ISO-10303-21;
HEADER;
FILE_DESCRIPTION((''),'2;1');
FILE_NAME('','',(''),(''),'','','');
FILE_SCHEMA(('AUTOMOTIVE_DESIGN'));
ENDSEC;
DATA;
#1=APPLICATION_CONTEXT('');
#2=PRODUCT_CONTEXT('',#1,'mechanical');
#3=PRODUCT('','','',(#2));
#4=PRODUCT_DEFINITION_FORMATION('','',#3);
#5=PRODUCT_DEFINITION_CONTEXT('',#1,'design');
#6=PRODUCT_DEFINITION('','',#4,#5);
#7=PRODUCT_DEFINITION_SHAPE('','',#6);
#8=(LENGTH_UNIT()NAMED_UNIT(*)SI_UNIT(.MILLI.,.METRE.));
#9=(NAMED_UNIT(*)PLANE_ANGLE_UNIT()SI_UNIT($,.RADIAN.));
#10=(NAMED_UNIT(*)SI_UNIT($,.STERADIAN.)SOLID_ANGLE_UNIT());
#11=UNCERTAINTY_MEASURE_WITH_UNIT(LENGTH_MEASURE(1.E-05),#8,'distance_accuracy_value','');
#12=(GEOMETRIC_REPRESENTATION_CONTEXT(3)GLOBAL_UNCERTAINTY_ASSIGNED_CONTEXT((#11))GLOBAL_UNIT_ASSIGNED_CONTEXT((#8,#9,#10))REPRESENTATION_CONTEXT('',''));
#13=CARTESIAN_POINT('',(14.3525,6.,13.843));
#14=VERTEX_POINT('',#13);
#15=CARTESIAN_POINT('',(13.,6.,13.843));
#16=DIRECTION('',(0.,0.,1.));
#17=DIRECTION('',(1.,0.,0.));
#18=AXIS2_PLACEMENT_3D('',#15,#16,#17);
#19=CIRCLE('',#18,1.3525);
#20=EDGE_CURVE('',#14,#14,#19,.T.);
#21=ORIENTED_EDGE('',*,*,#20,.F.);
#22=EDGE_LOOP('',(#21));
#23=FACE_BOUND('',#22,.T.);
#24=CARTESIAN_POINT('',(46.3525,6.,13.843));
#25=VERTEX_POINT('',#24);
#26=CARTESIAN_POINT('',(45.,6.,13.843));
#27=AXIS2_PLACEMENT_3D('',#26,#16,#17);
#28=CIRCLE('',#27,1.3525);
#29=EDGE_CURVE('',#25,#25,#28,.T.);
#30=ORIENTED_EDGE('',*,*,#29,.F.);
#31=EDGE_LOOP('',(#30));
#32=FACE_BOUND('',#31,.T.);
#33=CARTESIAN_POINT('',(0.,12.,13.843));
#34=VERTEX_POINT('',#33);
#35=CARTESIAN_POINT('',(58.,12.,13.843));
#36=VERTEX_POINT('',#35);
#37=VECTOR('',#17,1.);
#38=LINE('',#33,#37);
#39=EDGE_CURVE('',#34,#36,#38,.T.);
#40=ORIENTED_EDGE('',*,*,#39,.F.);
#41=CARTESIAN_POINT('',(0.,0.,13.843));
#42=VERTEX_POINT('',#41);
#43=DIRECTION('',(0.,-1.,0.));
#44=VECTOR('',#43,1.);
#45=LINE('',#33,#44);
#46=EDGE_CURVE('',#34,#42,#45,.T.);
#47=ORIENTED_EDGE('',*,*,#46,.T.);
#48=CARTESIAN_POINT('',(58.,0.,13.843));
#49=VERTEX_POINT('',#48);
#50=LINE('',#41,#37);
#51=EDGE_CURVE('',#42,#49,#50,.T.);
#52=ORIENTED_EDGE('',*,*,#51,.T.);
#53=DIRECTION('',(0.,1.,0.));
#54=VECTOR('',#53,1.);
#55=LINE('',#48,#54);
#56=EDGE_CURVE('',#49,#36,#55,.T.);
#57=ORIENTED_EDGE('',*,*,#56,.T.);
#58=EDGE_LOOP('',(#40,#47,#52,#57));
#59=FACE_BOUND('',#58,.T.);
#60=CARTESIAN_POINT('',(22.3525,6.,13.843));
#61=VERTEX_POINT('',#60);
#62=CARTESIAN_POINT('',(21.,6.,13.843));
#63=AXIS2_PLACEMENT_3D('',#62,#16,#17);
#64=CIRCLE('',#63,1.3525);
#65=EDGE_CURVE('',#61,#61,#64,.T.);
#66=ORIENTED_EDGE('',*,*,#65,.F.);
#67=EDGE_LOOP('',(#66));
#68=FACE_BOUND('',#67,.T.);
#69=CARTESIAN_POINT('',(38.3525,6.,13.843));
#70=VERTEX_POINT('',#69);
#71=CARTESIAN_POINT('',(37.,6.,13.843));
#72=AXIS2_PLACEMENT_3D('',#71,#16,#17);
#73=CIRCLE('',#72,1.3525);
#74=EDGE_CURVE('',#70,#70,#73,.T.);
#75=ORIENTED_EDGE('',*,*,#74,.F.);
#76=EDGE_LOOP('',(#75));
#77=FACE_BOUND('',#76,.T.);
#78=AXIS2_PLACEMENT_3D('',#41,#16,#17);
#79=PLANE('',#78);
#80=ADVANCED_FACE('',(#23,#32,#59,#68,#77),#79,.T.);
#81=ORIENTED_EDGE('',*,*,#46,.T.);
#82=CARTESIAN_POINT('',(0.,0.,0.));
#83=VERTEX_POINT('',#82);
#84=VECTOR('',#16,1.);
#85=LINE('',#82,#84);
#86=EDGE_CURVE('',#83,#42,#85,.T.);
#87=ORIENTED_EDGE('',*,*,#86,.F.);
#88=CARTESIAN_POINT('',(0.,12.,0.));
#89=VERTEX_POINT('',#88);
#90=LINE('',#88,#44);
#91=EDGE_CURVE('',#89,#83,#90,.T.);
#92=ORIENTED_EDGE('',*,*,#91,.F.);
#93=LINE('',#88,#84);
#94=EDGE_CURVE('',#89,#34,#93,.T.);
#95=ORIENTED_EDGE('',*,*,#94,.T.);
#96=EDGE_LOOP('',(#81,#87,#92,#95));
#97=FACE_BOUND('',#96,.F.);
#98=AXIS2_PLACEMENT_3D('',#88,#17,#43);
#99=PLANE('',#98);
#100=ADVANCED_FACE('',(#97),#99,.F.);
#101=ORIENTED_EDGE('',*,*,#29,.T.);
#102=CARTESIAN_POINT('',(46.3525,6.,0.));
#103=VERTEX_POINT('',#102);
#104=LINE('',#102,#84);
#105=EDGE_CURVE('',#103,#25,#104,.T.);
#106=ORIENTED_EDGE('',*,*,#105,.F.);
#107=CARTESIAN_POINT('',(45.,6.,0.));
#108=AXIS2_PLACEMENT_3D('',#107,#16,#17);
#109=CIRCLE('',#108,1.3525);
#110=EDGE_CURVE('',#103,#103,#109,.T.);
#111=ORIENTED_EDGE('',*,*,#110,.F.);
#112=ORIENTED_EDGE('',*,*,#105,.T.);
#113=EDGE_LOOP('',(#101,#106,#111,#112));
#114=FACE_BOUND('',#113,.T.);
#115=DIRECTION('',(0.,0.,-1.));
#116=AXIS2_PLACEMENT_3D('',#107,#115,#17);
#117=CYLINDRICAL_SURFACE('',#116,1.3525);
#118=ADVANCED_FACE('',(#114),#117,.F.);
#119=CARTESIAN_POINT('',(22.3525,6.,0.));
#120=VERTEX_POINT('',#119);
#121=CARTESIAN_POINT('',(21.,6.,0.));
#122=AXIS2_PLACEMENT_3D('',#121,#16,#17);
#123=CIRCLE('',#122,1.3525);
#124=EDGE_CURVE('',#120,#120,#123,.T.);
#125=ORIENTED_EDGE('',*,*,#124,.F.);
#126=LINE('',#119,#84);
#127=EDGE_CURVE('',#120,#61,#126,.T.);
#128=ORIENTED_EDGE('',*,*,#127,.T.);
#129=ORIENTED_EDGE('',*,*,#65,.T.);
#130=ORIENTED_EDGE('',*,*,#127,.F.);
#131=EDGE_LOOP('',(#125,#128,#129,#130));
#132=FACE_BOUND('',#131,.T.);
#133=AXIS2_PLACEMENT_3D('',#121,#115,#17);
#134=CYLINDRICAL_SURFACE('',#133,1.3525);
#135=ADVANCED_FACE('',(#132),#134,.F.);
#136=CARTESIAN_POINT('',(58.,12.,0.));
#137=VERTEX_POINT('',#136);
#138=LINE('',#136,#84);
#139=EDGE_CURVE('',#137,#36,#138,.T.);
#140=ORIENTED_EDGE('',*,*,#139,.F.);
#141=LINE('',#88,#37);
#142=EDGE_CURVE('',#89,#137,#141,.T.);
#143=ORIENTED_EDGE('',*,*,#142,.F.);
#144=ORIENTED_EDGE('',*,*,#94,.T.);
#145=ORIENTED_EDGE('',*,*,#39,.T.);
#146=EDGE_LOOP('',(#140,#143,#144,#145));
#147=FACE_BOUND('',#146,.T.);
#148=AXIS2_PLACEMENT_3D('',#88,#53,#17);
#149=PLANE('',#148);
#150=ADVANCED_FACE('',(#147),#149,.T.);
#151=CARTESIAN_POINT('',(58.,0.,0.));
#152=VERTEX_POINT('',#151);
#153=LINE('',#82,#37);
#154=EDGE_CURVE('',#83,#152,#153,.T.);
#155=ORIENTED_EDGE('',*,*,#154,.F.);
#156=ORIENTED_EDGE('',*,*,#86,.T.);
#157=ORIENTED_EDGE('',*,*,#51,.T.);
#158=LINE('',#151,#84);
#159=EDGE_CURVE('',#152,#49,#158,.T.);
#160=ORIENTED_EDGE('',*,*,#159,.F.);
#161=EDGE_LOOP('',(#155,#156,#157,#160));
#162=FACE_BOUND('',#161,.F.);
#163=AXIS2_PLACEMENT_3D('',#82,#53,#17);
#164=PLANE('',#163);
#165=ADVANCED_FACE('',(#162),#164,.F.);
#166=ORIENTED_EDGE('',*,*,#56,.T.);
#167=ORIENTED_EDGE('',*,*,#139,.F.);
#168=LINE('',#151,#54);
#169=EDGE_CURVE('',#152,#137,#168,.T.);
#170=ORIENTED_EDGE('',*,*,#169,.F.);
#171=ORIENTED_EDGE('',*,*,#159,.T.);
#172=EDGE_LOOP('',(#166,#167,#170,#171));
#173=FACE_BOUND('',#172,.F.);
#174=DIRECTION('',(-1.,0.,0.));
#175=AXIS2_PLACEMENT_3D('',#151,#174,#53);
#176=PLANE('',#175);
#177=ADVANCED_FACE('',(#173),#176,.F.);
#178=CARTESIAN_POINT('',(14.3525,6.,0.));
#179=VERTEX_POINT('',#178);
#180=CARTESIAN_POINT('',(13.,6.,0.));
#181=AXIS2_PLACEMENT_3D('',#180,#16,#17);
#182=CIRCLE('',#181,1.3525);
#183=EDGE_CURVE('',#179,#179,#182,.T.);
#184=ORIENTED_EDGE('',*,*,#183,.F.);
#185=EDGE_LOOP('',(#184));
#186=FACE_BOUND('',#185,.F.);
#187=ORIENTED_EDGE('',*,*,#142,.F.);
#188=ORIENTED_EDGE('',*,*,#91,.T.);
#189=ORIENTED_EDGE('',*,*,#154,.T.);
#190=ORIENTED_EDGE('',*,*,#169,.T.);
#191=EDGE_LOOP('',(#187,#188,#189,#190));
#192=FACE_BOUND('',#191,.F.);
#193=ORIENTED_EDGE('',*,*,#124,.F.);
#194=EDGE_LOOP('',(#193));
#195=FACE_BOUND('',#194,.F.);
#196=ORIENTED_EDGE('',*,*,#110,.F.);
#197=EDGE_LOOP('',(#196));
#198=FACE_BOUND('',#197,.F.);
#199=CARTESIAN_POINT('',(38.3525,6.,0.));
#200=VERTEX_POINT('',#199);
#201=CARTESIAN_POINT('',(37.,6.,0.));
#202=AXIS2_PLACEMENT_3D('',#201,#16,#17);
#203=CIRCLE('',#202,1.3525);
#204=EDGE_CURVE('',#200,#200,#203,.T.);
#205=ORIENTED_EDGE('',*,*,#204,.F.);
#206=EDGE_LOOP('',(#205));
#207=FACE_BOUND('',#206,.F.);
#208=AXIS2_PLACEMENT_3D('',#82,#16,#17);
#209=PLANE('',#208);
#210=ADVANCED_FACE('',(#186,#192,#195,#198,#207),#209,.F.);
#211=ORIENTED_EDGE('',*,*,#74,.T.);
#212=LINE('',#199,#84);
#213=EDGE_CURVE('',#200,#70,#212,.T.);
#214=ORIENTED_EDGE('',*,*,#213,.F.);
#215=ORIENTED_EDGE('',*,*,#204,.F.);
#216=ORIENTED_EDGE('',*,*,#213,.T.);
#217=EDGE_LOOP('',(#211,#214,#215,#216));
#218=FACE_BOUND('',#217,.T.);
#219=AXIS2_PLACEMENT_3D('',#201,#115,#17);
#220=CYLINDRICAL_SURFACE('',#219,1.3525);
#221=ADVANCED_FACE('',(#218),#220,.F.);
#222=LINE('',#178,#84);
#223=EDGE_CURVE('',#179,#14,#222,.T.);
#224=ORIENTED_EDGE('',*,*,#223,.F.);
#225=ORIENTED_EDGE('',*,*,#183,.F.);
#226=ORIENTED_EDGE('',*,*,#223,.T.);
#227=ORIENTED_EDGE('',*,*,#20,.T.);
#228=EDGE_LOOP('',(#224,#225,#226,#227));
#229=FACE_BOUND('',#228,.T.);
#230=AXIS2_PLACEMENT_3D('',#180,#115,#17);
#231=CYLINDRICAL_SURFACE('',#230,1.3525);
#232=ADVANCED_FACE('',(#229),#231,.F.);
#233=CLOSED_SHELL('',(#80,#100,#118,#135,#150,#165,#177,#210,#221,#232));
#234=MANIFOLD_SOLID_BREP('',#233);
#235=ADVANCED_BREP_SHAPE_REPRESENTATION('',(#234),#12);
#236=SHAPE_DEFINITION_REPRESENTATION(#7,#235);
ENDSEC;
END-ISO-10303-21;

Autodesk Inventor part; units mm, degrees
ref_plane "YZ Plane" through (0, 0, 0) normal (1, 0, 0) x (0, 1, 0)
ref_plane "XZ Plane" through (0, 0, 0) normal (0, 1, 0) x (-1, 0, 0)
ref_plane "XY Plane" through (0, 0, 0) normal (0, 0, 1) x (1, 0, 0)
sketch "Sketch1" plane through (0, 0, 0) normal (0, 0, 1) x (1, 0, 0)
  circle A0 centre (13, 6) radius 1.3525
  circle A1 centre (21, 6) radius 1.3525
  circle A2 centre (37, 6) radius 1.3525
  circle A3 centre (45, 6) radius 1.3525
  line L0 (0, 0) -> (58, 0)
  line L1 (58, 0) -> (58, 12)
  line L2 (0, 12) -> (58, 12)
  line L3 (0, 12) -> (0, 0)
  point P0 (29, 6)
extrude "Extrusion1" add sketch "Sketch1" along normal blind 13.843
properties part number "Motor Spacer"
